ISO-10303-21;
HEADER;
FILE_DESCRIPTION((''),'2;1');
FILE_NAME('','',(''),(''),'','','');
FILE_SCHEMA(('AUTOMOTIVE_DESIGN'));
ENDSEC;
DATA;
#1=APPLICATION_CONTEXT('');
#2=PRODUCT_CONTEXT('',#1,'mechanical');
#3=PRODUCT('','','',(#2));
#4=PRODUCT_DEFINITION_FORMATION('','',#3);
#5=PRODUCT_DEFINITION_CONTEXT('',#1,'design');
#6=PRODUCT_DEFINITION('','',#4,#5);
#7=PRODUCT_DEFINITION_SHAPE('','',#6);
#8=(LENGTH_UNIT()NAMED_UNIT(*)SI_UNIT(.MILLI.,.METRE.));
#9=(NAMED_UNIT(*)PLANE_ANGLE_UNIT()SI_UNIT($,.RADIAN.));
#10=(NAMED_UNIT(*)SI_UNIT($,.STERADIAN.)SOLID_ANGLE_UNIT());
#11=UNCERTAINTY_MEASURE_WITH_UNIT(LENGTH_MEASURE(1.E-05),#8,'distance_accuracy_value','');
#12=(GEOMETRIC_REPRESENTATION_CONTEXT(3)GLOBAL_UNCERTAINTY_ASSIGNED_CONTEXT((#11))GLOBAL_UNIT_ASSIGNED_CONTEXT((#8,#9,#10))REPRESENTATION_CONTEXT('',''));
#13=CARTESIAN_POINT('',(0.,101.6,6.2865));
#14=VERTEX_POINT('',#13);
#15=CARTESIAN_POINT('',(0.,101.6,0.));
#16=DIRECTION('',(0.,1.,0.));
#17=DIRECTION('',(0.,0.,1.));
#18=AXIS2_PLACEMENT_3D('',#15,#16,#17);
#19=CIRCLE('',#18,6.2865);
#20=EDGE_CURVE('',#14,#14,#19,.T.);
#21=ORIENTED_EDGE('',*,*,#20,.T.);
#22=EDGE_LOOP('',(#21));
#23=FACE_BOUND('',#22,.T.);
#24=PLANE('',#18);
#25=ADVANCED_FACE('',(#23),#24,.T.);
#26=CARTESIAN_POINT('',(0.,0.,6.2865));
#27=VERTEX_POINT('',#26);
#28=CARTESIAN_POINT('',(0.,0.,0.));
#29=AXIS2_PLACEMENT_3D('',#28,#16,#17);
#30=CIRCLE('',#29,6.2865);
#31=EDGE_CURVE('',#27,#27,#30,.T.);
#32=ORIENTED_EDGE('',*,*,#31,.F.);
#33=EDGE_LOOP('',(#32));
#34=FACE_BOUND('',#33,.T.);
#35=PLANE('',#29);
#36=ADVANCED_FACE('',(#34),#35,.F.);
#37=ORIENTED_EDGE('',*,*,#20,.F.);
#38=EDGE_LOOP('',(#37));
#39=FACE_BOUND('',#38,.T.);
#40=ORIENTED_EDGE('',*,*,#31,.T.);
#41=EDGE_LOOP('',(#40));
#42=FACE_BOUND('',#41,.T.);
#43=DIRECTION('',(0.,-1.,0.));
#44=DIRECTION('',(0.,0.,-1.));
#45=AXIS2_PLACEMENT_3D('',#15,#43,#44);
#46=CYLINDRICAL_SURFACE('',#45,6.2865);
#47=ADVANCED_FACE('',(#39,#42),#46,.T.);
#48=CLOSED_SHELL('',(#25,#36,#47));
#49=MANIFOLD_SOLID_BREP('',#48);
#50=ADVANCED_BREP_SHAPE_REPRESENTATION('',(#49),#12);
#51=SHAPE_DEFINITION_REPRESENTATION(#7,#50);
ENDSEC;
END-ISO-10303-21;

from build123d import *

# Parameters (mm, degrees)
SKETCH1_R           = 6.2865
BOSS_EXTRUDE1_DEPTH = 101.6


with BuildPart() as part:
    # Sketch1 → Boss-Extrude1 (new body)
    with BuildSketch(Plane(origin=(0, 0, 0), x_dir=(1, 0, 0), z_dir=(0, 1, 0))):
        with Locations(Location((0, 0, 0), (0, 0, 270))):
            Circle(SKETCH1_R)
    extrude(amount=BOSS_EXTRUDE1_DEPTH)


solid = part.part
